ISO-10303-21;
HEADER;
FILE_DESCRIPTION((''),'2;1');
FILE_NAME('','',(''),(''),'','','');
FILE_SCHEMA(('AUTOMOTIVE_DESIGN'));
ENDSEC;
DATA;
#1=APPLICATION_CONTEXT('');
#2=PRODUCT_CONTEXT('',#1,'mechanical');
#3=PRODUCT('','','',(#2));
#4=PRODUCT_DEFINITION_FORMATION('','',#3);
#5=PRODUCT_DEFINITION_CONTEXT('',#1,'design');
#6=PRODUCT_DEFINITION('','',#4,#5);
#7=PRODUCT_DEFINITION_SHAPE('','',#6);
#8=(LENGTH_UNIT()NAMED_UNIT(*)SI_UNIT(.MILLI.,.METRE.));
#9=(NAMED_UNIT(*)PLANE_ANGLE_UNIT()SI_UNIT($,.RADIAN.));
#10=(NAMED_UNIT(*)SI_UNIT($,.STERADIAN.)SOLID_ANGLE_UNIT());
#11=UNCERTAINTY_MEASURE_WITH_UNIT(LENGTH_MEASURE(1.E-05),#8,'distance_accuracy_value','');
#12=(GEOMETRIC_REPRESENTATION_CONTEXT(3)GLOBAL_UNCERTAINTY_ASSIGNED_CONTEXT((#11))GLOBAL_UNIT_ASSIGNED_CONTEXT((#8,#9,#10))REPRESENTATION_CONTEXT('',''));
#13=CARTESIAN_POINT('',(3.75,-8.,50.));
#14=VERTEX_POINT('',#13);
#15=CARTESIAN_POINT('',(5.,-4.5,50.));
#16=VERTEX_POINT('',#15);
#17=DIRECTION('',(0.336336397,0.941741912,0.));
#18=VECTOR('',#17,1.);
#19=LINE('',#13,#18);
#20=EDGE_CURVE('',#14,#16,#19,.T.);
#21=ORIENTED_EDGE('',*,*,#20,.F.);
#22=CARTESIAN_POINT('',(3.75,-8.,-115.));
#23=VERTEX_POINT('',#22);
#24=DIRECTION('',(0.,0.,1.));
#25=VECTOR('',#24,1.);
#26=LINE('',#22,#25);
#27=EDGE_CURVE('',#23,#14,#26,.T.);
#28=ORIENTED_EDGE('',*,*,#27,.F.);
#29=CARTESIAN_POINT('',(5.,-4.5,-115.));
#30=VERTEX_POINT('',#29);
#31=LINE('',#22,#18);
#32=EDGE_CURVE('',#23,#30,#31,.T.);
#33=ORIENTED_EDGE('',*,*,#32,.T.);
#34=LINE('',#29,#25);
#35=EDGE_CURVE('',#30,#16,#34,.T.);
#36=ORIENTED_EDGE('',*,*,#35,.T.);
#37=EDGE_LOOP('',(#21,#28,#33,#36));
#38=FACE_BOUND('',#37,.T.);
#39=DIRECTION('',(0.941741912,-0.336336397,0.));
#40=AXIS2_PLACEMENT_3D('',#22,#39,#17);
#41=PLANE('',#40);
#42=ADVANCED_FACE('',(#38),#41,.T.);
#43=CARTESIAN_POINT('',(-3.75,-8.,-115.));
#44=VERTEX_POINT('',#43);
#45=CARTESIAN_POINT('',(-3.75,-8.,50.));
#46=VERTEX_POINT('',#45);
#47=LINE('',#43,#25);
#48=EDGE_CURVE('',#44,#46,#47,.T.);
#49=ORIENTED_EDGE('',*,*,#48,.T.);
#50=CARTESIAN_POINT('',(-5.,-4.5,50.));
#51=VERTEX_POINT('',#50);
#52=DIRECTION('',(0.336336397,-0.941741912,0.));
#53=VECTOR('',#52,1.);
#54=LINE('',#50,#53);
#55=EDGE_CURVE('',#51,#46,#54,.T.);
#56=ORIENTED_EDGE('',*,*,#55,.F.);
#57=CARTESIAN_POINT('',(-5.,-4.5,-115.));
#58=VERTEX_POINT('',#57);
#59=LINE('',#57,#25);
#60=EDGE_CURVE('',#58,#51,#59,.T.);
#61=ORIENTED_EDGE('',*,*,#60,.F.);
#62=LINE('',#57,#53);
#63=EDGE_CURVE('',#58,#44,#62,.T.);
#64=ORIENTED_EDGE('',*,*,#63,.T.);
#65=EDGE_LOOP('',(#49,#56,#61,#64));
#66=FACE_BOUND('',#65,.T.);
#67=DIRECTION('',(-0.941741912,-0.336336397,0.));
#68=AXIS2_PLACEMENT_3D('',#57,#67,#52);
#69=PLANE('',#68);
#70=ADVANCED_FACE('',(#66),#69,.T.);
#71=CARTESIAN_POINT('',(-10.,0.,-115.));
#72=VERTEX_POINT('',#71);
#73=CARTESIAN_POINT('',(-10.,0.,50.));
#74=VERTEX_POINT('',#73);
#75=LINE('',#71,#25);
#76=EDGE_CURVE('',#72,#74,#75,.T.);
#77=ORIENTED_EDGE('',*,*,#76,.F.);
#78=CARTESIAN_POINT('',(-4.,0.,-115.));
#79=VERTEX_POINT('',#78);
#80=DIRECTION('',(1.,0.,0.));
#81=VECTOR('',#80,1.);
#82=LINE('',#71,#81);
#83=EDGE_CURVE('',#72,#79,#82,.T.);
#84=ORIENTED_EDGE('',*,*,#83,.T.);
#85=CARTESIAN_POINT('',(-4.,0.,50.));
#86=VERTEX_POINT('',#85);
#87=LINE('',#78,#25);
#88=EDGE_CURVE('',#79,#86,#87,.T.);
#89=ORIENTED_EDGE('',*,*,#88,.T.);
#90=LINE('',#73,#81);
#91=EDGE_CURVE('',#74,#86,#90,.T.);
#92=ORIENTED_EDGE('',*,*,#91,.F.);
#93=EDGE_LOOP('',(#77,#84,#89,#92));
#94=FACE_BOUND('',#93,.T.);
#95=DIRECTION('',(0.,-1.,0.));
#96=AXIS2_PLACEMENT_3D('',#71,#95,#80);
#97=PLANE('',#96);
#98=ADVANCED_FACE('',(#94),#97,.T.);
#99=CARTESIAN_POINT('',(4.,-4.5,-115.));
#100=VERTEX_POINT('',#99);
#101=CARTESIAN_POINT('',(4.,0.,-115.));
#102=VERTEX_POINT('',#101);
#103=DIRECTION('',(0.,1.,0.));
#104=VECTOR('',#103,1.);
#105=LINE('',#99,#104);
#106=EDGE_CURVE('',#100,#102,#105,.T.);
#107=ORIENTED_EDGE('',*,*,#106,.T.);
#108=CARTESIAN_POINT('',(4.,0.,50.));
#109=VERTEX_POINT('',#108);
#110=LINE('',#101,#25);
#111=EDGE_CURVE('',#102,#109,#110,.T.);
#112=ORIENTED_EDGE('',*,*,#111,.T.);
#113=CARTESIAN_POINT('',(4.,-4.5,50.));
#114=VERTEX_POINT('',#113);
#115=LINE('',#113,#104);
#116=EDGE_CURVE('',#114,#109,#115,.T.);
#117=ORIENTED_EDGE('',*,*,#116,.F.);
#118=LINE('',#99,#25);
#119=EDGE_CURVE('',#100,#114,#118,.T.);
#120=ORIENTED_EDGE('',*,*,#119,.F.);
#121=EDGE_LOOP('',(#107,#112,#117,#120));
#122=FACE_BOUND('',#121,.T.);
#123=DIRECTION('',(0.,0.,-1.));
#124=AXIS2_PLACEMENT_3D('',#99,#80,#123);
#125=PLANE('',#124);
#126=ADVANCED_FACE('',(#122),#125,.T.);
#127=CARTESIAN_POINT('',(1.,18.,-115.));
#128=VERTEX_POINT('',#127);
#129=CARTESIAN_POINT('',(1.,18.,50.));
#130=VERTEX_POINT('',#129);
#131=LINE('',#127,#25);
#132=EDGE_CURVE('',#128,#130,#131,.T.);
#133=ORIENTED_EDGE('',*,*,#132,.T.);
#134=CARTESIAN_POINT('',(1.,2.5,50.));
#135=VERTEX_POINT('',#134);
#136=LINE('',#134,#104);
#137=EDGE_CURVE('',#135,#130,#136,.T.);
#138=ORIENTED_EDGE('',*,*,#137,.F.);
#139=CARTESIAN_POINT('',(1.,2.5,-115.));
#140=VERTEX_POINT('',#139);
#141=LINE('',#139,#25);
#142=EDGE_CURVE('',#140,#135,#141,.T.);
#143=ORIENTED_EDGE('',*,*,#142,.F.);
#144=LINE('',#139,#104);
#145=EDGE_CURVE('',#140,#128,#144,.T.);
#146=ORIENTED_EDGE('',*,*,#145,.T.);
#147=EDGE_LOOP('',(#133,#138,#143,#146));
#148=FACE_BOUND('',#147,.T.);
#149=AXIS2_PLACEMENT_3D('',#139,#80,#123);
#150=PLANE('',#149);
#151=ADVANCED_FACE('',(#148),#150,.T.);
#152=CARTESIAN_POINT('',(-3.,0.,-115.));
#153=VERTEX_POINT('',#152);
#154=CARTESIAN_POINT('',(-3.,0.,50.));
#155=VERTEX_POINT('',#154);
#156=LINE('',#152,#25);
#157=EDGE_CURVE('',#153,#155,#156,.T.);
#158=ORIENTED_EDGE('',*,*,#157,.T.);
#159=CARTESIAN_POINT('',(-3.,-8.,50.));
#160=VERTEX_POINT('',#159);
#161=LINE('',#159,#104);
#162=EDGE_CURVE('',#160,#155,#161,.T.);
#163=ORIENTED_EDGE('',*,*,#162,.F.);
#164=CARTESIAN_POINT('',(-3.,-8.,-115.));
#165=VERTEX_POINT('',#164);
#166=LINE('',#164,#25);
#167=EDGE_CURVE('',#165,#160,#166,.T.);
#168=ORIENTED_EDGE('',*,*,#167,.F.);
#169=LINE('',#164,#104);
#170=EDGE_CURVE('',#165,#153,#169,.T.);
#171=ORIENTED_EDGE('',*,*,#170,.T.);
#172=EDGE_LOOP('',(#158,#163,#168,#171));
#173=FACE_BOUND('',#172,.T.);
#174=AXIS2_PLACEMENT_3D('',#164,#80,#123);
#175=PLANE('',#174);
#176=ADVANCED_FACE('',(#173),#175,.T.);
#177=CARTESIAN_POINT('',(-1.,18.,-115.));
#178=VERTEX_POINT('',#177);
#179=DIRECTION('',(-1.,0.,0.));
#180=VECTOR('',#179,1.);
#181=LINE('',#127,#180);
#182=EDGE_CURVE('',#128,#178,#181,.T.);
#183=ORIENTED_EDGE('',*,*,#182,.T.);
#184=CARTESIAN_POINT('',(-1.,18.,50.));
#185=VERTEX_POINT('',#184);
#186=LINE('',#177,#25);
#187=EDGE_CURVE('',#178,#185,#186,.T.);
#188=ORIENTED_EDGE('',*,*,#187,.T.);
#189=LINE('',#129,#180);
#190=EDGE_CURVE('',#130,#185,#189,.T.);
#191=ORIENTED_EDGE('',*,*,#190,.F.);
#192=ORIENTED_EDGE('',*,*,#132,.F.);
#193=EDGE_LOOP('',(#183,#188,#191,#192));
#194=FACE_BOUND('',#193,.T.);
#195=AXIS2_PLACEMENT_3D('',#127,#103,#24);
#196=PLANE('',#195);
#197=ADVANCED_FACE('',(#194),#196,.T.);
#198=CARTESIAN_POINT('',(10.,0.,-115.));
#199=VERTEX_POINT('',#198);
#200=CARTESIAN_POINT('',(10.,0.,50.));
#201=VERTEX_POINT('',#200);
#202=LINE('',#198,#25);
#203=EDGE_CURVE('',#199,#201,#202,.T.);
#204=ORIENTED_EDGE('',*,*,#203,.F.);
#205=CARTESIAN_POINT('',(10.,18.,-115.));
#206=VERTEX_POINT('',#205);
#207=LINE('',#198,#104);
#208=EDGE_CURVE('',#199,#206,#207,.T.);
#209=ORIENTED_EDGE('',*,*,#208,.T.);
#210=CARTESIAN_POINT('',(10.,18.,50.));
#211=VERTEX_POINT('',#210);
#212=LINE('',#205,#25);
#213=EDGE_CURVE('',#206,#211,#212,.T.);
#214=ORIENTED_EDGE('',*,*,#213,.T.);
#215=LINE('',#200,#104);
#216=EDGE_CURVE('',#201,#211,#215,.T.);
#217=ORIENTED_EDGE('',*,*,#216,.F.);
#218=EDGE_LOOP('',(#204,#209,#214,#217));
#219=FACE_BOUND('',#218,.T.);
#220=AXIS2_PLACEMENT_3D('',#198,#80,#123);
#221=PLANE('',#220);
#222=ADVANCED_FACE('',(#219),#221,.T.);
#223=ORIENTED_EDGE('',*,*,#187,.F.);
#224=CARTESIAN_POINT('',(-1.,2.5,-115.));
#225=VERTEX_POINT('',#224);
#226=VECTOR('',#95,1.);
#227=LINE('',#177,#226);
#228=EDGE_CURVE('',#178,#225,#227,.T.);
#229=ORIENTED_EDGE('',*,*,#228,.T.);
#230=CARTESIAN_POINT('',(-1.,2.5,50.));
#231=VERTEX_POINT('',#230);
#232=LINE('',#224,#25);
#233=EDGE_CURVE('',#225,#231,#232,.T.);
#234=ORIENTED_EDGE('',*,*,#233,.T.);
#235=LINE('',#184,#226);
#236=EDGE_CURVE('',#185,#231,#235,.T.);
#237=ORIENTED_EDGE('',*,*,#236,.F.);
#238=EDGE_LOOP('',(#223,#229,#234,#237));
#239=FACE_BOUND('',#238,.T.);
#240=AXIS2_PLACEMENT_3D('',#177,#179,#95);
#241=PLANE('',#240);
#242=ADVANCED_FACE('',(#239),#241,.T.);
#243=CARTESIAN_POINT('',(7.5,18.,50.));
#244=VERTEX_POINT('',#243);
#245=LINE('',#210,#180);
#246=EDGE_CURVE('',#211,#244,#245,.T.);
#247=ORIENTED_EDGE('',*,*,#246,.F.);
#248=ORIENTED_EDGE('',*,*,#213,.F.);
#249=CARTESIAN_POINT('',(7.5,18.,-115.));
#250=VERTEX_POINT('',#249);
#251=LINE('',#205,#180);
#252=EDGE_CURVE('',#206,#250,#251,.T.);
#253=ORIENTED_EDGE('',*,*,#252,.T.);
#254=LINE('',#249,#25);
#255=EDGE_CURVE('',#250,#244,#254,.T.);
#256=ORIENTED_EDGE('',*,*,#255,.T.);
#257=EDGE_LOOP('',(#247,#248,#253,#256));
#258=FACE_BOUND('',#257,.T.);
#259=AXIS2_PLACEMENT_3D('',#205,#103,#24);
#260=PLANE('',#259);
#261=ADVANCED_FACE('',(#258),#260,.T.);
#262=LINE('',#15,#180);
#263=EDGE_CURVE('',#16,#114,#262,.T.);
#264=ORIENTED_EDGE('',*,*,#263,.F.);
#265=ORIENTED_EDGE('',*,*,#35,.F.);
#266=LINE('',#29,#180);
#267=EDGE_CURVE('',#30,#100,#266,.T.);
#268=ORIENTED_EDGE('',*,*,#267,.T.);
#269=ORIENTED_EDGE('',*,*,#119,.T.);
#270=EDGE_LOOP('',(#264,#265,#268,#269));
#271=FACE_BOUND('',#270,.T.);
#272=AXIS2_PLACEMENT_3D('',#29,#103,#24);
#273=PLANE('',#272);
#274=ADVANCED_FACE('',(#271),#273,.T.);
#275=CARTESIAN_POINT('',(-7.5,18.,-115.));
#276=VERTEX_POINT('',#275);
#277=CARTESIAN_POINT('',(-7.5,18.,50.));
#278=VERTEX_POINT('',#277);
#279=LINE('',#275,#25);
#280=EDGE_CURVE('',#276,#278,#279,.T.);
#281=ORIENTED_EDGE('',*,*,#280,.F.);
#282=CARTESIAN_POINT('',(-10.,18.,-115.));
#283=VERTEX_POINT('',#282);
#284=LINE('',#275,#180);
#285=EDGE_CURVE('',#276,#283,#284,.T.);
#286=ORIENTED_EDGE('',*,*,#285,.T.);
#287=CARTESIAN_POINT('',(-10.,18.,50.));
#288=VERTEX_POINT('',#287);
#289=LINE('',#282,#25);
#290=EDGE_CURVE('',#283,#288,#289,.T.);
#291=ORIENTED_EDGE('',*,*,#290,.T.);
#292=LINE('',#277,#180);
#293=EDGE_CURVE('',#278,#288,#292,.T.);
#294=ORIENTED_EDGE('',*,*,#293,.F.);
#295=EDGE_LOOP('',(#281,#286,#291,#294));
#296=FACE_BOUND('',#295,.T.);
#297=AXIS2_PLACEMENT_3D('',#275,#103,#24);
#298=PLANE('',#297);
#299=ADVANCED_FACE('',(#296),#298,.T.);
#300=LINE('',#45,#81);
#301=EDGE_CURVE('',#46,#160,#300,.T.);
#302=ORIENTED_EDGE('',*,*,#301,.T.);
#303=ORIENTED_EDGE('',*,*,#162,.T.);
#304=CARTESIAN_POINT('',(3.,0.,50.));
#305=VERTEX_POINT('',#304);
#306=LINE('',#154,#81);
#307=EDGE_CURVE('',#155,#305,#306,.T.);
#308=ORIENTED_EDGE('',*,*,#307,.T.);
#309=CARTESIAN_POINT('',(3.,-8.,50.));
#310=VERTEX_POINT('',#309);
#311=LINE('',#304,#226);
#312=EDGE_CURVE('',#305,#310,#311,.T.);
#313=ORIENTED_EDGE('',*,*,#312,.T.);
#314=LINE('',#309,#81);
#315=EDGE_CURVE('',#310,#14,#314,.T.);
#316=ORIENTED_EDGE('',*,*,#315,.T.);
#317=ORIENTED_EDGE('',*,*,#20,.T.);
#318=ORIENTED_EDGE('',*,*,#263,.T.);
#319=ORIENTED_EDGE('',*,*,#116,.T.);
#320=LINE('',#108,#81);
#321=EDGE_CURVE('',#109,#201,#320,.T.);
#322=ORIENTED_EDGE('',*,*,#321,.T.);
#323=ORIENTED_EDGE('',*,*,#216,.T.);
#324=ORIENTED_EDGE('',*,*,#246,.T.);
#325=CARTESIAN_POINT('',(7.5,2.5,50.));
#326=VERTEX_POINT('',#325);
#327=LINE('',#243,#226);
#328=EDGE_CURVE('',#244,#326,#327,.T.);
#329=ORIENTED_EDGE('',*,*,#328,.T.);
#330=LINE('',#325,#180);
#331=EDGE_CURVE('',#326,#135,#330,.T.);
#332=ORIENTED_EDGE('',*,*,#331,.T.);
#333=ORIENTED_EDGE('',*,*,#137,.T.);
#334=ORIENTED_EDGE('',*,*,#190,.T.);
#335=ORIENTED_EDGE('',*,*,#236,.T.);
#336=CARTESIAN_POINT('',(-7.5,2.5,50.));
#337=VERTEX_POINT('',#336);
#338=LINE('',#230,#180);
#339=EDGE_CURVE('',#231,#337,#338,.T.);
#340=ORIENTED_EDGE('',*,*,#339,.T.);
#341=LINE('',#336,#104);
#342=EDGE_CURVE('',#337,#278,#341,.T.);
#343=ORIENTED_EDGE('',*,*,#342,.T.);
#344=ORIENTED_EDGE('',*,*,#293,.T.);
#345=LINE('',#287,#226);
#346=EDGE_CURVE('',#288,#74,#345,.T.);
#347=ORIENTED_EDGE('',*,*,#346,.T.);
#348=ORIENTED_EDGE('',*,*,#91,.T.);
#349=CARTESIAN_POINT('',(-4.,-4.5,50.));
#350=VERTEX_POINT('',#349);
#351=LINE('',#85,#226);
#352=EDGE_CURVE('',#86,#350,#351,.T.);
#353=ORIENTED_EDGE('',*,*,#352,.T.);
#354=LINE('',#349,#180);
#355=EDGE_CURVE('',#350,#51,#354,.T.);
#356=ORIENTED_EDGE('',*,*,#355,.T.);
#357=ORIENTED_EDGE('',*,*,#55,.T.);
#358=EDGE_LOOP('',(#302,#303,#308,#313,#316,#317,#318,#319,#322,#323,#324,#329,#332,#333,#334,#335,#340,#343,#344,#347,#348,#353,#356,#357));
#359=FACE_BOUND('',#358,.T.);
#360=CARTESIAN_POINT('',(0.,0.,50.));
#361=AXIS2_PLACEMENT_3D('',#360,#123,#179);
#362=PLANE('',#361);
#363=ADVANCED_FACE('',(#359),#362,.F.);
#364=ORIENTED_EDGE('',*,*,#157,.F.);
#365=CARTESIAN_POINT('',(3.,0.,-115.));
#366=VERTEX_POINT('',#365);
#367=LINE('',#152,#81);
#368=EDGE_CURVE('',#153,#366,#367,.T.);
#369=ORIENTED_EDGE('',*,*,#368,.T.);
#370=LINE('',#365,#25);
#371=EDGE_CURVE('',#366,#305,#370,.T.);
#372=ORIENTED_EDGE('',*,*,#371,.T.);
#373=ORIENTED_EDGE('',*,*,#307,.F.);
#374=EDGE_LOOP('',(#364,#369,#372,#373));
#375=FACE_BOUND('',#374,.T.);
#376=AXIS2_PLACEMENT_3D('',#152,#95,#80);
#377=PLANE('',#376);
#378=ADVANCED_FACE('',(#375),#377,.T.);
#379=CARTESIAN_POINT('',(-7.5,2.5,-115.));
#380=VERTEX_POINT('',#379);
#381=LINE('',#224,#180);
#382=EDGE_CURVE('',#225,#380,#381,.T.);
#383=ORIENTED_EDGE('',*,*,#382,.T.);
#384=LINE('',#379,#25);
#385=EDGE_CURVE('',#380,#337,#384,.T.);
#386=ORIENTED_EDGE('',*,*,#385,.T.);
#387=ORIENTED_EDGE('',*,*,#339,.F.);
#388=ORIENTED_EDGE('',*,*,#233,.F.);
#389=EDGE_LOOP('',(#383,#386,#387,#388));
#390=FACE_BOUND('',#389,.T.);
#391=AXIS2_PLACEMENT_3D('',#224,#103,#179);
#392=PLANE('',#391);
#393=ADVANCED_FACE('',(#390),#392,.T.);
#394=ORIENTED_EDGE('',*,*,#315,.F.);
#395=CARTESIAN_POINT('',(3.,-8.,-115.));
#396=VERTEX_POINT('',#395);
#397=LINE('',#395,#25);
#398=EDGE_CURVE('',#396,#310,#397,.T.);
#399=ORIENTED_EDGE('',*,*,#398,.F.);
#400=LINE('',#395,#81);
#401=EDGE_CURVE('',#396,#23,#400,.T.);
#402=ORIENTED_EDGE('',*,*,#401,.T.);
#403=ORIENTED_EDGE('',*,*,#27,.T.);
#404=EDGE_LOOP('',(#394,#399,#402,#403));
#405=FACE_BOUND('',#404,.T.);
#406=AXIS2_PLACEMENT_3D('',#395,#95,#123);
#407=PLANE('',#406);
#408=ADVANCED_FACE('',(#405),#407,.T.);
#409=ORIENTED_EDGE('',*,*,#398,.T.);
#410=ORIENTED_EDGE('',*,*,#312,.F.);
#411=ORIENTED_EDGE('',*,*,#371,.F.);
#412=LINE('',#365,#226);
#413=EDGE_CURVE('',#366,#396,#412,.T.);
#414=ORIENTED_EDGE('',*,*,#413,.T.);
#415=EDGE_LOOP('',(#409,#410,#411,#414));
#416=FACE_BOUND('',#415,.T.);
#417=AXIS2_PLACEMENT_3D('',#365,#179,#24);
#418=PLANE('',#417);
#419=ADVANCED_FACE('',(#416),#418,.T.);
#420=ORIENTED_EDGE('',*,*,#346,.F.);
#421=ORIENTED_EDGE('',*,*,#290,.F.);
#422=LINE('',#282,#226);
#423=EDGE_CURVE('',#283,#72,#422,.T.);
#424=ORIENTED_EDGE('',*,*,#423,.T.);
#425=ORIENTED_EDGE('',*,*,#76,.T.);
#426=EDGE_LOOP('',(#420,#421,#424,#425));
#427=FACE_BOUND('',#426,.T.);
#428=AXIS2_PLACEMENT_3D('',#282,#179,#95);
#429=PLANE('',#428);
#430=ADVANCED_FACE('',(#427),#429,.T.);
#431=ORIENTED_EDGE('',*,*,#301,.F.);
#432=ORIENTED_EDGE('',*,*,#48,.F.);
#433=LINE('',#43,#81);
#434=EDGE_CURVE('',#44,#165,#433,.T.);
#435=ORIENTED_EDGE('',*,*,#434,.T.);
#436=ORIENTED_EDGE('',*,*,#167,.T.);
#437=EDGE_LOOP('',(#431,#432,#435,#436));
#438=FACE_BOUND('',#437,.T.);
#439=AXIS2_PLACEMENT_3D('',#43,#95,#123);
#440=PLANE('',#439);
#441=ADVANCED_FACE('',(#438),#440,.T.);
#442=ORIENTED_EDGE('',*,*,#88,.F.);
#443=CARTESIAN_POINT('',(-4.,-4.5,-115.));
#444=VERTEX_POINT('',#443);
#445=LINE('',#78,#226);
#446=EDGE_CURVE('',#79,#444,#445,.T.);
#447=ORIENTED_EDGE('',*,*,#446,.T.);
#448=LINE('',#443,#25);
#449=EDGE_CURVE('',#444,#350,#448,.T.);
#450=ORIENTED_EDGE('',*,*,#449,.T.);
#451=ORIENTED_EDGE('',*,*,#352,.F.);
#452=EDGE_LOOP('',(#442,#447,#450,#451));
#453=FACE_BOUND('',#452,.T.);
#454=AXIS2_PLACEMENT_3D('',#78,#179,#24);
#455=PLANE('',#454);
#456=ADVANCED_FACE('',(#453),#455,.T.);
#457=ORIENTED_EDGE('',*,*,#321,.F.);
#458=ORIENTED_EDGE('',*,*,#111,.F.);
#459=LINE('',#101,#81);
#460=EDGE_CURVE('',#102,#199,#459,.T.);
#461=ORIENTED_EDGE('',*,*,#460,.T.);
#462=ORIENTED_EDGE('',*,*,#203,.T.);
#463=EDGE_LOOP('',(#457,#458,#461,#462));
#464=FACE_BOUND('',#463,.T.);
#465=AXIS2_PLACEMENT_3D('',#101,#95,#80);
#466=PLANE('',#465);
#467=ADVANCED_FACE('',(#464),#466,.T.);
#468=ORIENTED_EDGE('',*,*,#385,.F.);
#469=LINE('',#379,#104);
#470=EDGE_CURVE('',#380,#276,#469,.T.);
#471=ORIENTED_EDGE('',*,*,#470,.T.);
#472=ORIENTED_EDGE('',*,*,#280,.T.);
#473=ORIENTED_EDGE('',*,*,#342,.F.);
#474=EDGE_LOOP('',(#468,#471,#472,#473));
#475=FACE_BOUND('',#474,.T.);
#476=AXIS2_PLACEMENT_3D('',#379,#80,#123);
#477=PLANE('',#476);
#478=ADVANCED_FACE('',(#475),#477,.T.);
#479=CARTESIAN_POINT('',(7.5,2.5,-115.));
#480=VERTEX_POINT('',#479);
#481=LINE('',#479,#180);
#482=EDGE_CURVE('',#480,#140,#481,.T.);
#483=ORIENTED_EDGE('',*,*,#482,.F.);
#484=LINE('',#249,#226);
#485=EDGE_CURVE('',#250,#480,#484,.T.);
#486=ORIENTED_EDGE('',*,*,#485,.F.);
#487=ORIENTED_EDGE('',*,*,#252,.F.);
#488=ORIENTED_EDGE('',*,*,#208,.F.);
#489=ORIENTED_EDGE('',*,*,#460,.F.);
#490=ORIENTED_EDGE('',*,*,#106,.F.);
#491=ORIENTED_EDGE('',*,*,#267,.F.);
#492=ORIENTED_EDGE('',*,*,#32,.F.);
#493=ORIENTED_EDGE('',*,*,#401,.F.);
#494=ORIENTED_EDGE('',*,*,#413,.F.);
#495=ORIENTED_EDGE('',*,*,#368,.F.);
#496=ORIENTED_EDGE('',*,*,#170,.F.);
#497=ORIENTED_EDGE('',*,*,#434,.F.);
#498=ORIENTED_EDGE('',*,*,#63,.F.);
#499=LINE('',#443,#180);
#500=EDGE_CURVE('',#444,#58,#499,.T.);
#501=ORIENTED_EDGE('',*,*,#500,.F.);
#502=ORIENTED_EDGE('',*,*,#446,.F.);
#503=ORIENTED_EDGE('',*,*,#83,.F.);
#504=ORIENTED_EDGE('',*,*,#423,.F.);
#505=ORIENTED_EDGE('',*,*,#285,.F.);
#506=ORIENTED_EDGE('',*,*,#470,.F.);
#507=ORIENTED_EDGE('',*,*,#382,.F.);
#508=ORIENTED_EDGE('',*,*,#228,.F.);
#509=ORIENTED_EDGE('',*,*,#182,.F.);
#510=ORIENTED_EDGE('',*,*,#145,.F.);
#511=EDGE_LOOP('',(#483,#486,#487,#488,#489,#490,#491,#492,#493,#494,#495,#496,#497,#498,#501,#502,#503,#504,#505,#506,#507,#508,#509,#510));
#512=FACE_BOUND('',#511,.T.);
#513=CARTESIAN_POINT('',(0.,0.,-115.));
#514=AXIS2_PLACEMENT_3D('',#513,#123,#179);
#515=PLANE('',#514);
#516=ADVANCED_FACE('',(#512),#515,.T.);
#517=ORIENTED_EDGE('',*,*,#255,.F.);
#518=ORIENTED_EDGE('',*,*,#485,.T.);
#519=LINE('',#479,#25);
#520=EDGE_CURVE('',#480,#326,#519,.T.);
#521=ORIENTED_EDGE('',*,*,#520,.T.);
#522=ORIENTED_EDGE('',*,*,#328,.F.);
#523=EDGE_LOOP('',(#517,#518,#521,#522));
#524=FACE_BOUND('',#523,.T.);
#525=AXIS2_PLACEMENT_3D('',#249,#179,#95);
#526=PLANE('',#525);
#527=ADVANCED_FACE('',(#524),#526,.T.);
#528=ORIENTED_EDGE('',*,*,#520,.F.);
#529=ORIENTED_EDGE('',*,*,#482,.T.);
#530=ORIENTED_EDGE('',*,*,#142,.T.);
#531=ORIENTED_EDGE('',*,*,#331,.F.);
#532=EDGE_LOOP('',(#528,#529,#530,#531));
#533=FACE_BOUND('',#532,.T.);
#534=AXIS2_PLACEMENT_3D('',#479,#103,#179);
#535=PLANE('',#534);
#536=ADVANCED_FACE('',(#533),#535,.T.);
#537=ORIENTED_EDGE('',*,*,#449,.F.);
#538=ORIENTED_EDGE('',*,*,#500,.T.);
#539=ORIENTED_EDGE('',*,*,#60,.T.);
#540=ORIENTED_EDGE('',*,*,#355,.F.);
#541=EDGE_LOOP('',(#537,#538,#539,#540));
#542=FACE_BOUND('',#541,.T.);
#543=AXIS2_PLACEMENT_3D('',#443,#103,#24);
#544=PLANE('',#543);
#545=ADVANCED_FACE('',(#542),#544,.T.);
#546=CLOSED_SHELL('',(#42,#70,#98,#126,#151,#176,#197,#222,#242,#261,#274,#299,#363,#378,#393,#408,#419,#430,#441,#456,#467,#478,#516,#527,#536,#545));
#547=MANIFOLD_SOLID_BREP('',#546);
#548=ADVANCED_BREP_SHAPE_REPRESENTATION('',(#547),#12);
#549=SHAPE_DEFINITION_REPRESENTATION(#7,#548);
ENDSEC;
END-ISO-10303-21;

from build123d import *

# Parameters (mm, degrees)
BOSS_EXTRU_1_DEPTH = 165


with BuildPart() as part:
    # Esquisse1 → Boss.-Extru.1 (new body)
    with BuildSketch(Plane.XY.offset(50)):
        Polygon((-1, 2.5), (-7.5, 2.5), (-7.5, 17.999999998), (-10, 17.999999998), (-10, 0), (-4, 0), (-4, -4.5), (-5, -4.5), (-3.75, -8), (-3, -8), (-3, 0), (3, 0), (3, -8), (3.75, -8), (5, -4.5), (4, -4.5), (4, 0), (10, 0), (10, 17.999999998), (7.5, 17.999999998), (7.5, 2.5), (1, 2.5), (1, 17.999999998), (-1, 17.999999998), align=None)
    extrude(amount=-BOSS_EXTRU_1_DEPTH)


solid = part.part
